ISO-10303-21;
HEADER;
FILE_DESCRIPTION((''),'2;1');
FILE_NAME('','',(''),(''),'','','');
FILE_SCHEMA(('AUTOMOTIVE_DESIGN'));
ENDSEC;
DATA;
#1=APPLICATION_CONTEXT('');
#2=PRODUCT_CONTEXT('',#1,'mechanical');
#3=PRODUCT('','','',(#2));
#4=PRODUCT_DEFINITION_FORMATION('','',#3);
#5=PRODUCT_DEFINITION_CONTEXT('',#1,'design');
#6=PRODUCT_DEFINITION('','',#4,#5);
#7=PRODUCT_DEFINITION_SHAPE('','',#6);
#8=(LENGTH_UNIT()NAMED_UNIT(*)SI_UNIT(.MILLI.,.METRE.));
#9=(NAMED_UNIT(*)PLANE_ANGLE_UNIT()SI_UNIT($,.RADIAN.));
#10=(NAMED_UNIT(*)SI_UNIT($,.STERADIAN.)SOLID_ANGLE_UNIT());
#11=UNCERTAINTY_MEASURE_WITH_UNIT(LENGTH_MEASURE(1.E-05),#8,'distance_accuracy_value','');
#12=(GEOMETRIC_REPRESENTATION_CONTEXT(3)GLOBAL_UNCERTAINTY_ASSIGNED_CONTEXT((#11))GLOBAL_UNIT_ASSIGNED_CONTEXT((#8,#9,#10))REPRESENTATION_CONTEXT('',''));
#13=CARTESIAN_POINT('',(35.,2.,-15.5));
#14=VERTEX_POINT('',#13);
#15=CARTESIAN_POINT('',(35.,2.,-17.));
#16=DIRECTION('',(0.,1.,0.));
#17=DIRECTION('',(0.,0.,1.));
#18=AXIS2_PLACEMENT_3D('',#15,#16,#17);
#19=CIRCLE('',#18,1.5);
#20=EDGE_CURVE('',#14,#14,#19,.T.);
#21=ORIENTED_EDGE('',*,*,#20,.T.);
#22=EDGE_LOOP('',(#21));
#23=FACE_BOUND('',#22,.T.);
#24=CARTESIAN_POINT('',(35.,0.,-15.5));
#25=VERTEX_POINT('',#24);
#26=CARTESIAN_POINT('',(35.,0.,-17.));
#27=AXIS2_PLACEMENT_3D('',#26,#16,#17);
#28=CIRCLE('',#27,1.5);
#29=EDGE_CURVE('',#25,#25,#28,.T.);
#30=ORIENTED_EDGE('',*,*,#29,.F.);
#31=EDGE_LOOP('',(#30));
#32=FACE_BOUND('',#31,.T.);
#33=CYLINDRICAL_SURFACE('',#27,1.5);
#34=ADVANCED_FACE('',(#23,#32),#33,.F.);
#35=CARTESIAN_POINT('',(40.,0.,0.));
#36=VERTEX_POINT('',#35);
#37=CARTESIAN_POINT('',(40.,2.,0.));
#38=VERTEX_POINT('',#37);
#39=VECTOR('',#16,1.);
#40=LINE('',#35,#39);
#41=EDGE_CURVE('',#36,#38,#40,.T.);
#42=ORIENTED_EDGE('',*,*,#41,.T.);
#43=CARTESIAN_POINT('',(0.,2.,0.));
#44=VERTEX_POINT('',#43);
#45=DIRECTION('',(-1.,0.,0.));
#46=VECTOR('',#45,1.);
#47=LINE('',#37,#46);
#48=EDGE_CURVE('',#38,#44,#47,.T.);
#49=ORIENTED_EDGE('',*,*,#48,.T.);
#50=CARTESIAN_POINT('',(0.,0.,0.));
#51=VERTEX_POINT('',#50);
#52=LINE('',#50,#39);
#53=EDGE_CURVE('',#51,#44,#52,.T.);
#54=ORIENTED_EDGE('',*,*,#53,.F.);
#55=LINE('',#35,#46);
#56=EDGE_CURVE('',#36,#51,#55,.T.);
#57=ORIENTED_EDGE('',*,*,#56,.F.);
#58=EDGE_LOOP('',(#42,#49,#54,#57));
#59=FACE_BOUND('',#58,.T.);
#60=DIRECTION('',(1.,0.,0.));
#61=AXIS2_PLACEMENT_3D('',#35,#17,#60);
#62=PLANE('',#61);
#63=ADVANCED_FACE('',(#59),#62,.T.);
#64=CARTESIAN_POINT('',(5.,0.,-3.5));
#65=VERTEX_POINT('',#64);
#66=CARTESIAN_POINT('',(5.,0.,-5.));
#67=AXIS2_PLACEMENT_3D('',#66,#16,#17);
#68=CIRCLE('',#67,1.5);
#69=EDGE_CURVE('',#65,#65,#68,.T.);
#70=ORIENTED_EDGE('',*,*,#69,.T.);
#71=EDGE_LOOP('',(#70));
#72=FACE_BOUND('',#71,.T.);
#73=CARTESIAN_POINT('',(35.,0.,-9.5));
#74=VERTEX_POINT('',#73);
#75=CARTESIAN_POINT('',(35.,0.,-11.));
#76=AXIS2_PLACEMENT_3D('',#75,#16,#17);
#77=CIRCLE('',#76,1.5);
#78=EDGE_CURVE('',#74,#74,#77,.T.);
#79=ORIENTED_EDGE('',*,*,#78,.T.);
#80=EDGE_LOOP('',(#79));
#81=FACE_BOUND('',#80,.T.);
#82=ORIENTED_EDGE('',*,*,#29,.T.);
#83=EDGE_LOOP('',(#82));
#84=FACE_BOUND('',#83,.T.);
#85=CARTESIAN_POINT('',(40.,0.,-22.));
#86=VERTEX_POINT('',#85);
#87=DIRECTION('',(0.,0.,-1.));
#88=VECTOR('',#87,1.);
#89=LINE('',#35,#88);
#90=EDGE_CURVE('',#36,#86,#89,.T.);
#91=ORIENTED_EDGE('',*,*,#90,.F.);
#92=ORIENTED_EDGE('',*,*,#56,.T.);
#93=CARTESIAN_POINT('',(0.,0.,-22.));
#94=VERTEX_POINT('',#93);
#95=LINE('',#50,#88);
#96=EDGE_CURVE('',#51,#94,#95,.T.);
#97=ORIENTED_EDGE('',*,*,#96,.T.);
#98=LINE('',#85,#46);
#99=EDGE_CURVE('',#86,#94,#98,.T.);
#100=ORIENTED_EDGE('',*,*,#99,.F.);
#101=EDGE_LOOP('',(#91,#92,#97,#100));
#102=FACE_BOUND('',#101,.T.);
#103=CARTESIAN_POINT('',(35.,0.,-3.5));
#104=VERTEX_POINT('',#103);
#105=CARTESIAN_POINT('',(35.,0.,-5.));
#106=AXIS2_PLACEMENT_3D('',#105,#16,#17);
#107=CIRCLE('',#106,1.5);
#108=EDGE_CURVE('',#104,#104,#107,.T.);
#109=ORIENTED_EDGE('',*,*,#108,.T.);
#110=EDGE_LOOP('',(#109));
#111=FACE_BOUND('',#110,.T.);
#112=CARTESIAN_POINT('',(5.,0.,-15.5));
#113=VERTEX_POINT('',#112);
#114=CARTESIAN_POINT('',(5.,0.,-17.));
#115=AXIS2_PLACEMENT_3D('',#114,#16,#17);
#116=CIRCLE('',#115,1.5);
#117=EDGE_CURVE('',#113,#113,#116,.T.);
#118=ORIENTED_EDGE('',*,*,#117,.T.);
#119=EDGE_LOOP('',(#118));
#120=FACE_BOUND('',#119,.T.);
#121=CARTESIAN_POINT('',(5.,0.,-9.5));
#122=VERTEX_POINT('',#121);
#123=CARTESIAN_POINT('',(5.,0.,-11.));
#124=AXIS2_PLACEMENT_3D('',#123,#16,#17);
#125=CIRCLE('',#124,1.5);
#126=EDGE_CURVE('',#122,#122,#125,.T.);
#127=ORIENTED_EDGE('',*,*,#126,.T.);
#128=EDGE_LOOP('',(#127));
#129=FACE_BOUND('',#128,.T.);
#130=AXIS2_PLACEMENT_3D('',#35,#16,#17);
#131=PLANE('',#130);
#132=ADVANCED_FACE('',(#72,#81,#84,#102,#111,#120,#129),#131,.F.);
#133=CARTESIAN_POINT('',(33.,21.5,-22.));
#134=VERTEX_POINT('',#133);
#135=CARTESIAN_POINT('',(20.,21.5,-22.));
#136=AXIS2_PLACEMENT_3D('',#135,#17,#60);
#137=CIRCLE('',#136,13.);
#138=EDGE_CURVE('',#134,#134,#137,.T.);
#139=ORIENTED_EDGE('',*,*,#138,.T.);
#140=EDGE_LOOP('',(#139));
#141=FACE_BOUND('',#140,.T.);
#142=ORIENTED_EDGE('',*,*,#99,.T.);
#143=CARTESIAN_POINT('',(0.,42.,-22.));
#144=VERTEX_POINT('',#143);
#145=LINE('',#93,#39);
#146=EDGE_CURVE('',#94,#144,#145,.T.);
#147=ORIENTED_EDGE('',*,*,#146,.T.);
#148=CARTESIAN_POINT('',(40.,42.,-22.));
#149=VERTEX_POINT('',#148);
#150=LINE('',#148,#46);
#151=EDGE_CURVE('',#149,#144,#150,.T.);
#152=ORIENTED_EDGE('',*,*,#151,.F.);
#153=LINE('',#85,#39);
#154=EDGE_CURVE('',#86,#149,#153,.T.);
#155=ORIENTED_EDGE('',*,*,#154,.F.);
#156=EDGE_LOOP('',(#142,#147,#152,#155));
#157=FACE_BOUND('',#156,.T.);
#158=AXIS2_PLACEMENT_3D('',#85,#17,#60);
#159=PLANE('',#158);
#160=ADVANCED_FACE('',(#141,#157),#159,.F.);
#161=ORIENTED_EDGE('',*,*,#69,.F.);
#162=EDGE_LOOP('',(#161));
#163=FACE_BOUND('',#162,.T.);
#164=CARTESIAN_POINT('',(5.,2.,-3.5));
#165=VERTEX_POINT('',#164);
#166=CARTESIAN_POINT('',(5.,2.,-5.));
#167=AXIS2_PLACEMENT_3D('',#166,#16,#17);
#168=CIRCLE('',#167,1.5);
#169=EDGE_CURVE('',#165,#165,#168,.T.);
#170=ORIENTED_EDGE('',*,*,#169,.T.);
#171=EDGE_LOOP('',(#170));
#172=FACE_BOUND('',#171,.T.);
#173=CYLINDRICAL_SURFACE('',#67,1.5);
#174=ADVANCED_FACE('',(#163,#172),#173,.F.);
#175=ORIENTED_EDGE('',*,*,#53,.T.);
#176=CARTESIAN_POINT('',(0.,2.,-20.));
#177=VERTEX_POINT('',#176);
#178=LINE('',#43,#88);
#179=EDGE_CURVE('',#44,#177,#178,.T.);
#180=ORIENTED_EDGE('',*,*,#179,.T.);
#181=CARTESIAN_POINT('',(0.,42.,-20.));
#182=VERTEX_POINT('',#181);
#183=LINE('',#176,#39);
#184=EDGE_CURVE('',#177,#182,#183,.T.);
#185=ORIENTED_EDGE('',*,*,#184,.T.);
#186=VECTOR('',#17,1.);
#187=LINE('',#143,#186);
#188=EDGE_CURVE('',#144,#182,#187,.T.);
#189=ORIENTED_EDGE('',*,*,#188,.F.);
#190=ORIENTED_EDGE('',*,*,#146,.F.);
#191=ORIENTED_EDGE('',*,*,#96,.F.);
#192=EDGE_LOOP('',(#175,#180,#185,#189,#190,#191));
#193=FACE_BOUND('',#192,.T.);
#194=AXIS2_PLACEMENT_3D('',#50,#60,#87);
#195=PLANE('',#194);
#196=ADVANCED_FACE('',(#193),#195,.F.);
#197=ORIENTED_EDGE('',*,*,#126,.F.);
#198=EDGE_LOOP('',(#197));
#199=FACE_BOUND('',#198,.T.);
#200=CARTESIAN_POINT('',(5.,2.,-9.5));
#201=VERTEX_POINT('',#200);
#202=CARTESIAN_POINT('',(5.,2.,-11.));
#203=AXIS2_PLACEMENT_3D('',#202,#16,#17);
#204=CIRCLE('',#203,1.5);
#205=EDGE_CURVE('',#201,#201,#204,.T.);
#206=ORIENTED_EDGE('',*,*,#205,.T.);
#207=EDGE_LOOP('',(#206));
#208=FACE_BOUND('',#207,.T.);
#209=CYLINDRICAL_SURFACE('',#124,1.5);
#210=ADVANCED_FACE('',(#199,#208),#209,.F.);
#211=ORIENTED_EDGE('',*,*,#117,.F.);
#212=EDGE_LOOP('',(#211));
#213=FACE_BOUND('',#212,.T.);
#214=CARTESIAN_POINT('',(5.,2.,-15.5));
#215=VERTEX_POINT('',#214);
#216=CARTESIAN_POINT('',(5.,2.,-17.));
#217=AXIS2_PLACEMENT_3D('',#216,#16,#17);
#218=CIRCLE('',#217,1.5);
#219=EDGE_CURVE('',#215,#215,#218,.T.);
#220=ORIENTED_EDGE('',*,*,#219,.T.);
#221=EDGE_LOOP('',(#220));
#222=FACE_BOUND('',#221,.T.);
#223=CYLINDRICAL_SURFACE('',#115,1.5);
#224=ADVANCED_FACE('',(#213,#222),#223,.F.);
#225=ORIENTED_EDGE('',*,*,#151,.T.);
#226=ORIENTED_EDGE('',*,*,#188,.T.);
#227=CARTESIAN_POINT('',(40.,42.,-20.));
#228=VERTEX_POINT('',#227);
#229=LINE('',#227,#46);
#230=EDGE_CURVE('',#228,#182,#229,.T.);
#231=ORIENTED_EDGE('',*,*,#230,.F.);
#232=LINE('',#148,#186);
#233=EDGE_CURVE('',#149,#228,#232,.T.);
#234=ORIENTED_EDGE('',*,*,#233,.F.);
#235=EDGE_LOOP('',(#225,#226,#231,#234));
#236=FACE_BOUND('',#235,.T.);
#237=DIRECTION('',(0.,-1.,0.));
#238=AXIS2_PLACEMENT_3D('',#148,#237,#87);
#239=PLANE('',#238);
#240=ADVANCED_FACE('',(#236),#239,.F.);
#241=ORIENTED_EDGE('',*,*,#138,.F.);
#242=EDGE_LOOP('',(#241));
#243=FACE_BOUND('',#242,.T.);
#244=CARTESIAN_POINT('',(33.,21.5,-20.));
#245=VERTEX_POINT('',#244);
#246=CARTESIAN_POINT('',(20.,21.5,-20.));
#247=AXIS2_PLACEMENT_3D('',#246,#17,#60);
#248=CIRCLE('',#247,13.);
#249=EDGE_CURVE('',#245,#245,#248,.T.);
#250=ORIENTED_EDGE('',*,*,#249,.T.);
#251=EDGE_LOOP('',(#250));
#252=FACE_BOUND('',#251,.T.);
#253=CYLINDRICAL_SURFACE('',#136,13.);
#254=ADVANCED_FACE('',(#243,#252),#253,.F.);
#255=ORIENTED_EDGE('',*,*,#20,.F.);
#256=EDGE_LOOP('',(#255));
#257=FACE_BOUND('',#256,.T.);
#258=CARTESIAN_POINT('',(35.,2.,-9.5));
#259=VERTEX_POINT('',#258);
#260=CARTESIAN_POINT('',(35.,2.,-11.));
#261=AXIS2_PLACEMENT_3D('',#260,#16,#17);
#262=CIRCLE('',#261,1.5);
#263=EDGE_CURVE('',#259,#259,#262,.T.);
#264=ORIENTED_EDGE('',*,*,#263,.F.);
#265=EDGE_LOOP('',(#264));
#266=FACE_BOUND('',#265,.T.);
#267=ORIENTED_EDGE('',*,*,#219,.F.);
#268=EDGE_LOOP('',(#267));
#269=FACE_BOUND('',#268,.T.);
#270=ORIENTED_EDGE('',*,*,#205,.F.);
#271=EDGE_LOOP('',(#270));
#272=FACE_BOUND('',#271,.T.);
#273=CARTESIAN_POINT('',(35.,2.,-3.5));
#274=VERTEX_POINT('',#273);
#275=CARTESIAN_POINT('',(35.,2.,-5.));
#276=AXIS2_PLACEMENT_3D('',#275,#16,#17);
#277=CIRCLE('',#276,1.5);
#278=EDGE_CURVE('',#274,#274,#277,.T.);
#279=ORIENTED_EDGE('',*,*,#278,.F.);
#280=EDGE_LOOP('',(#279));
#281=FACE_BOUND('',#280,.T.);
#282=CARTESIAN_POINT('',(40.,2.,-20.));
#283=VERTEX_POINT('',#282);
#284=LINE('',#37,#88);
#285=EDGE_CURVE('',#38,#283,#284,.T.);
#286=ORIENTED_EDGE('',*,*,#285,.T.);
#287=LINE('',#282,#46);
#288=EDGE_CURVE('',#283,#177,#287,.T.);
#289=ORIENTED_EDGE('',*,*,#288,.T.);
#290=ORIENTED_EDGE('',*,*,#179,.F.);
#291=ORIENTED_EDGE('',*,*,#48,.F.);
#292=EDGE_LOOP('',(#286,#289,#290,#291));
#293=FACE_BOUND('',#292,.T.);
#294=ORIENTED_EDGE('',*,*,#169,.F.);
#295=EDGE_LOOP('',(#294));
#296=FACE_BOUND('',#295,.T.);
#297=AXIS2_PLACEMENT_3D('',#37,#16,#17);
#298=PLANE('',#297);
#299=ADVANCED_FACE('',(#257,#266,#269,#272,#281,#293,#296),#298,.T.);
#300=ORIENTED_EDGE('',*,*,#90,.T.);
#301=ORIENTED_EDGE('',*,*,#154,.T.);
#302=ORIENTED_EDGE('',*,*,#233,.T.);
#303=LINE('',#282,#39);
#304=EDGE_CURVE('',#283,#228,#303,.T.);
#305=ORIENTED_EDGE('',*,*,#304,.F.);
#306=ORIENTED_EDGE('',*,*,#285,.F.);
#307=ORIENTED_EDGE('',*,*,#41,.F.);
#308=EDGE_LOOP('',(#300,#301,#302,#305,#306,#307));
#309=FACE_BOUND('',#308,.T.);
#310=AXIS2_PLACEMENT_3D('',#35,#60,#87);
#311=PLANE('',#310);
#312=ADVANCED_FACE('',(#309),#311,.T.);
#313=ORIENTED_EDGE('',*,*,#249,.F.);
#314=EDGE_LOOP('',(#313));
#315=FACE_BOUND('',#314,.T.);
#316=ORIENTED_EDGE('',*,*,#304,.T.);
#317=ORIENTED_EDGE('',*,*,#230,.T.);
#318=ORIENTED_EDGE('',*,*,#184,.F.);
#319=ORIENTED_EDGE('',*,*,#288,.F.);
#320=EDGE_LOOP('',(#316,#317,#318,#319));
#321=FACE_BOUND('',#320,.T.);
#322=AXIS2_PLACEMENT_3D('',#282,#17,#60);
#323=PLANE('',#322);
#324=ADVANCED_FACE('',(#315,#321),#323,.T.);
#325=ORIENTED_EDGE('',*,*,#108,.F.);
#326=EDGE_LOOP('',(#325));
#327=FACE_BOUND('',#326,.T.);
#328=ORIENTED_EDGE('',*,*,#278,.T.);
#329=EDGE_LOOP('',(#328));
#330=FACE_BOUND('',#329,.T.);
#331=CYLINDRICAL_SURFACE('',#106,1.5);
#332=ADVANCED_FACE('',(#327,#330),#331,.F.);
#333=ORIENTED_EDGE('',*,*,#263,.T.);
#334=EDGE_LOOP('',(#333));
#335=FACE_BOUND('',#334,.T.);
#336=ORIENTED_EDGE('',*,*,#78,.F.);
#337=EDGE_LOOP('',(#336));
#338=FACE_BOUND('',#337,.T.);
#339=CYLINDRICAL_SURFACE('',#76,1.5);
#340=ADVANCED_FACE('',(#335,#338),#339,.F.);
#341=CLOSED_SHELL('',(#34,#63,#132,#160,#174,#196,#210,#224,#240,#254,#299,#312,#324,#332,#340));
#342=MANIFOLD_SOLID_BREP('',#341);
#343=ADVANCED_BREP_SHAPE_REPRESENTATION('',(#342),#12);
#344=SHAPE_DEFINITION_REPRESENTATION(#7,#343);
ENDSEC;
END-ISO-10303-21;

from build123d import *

# Parameters (mm, degrees)
BOSS_EXTRUDE1_DEPTH = 40
SKETCH3_R           = 13
CUT_EXTRUDE1_DEPTH  = 3
SKETCH4_R           = 1.5
CUT_EXTRUDE2_DEPTH  = 3


with BuildPart() as part:
    # Sketch2 → Boss-Extrude1 (new body)
    with BuildSketch(Plane(origin=(0, 0, 0), x_dir=(0, 0, -1), z_dir=(1, 0, 0))):
        Polygon((0, 0), (22, 0), (22, 42), (20, 42), (20, 2), (0, 2), align=None)
    extrude(amount=BOSS_EXTRUDE1_DEPTH)

    # Sketch3 → Cut-Extrude1 (cut, through all)
    with BuildSketch(Plane.XY.offset(-20)):
        with Locations((20, 21.5)):
            Circle(SKETCH3_R)
    extrude(amount=-CUT_EXTRUDE1_DEPTH, mode=Mode.SUBTRACT)

    # Sketch4 → Cut-Extrude2 (cut, through all)
    with BuildSketch(Plane(origin=(0, 2, 0), x_dir=(1, 0, 0), z_dir=(0, 1, 0))):
        with Locations((35, 5)):
            Circle(SKETCH4_R)
        with Locations((5, 5)):
            Circle(SKETCH4_R)
        with Locations((5, 11)):
            Circle(SKETCH4_R)
        with Locations((5, 17)):
            Circle(SKETCH4_R)
        with Locations((35, 11)):
            Circle(SKETCH4_R)
        with Locations((35, 17)):
            Circle(SKETCH4_R)
    extrude(amount=-CUT_EXTRUDE2_DEPTH, mode=Mode.SUBTRACT)


solid = part.part
